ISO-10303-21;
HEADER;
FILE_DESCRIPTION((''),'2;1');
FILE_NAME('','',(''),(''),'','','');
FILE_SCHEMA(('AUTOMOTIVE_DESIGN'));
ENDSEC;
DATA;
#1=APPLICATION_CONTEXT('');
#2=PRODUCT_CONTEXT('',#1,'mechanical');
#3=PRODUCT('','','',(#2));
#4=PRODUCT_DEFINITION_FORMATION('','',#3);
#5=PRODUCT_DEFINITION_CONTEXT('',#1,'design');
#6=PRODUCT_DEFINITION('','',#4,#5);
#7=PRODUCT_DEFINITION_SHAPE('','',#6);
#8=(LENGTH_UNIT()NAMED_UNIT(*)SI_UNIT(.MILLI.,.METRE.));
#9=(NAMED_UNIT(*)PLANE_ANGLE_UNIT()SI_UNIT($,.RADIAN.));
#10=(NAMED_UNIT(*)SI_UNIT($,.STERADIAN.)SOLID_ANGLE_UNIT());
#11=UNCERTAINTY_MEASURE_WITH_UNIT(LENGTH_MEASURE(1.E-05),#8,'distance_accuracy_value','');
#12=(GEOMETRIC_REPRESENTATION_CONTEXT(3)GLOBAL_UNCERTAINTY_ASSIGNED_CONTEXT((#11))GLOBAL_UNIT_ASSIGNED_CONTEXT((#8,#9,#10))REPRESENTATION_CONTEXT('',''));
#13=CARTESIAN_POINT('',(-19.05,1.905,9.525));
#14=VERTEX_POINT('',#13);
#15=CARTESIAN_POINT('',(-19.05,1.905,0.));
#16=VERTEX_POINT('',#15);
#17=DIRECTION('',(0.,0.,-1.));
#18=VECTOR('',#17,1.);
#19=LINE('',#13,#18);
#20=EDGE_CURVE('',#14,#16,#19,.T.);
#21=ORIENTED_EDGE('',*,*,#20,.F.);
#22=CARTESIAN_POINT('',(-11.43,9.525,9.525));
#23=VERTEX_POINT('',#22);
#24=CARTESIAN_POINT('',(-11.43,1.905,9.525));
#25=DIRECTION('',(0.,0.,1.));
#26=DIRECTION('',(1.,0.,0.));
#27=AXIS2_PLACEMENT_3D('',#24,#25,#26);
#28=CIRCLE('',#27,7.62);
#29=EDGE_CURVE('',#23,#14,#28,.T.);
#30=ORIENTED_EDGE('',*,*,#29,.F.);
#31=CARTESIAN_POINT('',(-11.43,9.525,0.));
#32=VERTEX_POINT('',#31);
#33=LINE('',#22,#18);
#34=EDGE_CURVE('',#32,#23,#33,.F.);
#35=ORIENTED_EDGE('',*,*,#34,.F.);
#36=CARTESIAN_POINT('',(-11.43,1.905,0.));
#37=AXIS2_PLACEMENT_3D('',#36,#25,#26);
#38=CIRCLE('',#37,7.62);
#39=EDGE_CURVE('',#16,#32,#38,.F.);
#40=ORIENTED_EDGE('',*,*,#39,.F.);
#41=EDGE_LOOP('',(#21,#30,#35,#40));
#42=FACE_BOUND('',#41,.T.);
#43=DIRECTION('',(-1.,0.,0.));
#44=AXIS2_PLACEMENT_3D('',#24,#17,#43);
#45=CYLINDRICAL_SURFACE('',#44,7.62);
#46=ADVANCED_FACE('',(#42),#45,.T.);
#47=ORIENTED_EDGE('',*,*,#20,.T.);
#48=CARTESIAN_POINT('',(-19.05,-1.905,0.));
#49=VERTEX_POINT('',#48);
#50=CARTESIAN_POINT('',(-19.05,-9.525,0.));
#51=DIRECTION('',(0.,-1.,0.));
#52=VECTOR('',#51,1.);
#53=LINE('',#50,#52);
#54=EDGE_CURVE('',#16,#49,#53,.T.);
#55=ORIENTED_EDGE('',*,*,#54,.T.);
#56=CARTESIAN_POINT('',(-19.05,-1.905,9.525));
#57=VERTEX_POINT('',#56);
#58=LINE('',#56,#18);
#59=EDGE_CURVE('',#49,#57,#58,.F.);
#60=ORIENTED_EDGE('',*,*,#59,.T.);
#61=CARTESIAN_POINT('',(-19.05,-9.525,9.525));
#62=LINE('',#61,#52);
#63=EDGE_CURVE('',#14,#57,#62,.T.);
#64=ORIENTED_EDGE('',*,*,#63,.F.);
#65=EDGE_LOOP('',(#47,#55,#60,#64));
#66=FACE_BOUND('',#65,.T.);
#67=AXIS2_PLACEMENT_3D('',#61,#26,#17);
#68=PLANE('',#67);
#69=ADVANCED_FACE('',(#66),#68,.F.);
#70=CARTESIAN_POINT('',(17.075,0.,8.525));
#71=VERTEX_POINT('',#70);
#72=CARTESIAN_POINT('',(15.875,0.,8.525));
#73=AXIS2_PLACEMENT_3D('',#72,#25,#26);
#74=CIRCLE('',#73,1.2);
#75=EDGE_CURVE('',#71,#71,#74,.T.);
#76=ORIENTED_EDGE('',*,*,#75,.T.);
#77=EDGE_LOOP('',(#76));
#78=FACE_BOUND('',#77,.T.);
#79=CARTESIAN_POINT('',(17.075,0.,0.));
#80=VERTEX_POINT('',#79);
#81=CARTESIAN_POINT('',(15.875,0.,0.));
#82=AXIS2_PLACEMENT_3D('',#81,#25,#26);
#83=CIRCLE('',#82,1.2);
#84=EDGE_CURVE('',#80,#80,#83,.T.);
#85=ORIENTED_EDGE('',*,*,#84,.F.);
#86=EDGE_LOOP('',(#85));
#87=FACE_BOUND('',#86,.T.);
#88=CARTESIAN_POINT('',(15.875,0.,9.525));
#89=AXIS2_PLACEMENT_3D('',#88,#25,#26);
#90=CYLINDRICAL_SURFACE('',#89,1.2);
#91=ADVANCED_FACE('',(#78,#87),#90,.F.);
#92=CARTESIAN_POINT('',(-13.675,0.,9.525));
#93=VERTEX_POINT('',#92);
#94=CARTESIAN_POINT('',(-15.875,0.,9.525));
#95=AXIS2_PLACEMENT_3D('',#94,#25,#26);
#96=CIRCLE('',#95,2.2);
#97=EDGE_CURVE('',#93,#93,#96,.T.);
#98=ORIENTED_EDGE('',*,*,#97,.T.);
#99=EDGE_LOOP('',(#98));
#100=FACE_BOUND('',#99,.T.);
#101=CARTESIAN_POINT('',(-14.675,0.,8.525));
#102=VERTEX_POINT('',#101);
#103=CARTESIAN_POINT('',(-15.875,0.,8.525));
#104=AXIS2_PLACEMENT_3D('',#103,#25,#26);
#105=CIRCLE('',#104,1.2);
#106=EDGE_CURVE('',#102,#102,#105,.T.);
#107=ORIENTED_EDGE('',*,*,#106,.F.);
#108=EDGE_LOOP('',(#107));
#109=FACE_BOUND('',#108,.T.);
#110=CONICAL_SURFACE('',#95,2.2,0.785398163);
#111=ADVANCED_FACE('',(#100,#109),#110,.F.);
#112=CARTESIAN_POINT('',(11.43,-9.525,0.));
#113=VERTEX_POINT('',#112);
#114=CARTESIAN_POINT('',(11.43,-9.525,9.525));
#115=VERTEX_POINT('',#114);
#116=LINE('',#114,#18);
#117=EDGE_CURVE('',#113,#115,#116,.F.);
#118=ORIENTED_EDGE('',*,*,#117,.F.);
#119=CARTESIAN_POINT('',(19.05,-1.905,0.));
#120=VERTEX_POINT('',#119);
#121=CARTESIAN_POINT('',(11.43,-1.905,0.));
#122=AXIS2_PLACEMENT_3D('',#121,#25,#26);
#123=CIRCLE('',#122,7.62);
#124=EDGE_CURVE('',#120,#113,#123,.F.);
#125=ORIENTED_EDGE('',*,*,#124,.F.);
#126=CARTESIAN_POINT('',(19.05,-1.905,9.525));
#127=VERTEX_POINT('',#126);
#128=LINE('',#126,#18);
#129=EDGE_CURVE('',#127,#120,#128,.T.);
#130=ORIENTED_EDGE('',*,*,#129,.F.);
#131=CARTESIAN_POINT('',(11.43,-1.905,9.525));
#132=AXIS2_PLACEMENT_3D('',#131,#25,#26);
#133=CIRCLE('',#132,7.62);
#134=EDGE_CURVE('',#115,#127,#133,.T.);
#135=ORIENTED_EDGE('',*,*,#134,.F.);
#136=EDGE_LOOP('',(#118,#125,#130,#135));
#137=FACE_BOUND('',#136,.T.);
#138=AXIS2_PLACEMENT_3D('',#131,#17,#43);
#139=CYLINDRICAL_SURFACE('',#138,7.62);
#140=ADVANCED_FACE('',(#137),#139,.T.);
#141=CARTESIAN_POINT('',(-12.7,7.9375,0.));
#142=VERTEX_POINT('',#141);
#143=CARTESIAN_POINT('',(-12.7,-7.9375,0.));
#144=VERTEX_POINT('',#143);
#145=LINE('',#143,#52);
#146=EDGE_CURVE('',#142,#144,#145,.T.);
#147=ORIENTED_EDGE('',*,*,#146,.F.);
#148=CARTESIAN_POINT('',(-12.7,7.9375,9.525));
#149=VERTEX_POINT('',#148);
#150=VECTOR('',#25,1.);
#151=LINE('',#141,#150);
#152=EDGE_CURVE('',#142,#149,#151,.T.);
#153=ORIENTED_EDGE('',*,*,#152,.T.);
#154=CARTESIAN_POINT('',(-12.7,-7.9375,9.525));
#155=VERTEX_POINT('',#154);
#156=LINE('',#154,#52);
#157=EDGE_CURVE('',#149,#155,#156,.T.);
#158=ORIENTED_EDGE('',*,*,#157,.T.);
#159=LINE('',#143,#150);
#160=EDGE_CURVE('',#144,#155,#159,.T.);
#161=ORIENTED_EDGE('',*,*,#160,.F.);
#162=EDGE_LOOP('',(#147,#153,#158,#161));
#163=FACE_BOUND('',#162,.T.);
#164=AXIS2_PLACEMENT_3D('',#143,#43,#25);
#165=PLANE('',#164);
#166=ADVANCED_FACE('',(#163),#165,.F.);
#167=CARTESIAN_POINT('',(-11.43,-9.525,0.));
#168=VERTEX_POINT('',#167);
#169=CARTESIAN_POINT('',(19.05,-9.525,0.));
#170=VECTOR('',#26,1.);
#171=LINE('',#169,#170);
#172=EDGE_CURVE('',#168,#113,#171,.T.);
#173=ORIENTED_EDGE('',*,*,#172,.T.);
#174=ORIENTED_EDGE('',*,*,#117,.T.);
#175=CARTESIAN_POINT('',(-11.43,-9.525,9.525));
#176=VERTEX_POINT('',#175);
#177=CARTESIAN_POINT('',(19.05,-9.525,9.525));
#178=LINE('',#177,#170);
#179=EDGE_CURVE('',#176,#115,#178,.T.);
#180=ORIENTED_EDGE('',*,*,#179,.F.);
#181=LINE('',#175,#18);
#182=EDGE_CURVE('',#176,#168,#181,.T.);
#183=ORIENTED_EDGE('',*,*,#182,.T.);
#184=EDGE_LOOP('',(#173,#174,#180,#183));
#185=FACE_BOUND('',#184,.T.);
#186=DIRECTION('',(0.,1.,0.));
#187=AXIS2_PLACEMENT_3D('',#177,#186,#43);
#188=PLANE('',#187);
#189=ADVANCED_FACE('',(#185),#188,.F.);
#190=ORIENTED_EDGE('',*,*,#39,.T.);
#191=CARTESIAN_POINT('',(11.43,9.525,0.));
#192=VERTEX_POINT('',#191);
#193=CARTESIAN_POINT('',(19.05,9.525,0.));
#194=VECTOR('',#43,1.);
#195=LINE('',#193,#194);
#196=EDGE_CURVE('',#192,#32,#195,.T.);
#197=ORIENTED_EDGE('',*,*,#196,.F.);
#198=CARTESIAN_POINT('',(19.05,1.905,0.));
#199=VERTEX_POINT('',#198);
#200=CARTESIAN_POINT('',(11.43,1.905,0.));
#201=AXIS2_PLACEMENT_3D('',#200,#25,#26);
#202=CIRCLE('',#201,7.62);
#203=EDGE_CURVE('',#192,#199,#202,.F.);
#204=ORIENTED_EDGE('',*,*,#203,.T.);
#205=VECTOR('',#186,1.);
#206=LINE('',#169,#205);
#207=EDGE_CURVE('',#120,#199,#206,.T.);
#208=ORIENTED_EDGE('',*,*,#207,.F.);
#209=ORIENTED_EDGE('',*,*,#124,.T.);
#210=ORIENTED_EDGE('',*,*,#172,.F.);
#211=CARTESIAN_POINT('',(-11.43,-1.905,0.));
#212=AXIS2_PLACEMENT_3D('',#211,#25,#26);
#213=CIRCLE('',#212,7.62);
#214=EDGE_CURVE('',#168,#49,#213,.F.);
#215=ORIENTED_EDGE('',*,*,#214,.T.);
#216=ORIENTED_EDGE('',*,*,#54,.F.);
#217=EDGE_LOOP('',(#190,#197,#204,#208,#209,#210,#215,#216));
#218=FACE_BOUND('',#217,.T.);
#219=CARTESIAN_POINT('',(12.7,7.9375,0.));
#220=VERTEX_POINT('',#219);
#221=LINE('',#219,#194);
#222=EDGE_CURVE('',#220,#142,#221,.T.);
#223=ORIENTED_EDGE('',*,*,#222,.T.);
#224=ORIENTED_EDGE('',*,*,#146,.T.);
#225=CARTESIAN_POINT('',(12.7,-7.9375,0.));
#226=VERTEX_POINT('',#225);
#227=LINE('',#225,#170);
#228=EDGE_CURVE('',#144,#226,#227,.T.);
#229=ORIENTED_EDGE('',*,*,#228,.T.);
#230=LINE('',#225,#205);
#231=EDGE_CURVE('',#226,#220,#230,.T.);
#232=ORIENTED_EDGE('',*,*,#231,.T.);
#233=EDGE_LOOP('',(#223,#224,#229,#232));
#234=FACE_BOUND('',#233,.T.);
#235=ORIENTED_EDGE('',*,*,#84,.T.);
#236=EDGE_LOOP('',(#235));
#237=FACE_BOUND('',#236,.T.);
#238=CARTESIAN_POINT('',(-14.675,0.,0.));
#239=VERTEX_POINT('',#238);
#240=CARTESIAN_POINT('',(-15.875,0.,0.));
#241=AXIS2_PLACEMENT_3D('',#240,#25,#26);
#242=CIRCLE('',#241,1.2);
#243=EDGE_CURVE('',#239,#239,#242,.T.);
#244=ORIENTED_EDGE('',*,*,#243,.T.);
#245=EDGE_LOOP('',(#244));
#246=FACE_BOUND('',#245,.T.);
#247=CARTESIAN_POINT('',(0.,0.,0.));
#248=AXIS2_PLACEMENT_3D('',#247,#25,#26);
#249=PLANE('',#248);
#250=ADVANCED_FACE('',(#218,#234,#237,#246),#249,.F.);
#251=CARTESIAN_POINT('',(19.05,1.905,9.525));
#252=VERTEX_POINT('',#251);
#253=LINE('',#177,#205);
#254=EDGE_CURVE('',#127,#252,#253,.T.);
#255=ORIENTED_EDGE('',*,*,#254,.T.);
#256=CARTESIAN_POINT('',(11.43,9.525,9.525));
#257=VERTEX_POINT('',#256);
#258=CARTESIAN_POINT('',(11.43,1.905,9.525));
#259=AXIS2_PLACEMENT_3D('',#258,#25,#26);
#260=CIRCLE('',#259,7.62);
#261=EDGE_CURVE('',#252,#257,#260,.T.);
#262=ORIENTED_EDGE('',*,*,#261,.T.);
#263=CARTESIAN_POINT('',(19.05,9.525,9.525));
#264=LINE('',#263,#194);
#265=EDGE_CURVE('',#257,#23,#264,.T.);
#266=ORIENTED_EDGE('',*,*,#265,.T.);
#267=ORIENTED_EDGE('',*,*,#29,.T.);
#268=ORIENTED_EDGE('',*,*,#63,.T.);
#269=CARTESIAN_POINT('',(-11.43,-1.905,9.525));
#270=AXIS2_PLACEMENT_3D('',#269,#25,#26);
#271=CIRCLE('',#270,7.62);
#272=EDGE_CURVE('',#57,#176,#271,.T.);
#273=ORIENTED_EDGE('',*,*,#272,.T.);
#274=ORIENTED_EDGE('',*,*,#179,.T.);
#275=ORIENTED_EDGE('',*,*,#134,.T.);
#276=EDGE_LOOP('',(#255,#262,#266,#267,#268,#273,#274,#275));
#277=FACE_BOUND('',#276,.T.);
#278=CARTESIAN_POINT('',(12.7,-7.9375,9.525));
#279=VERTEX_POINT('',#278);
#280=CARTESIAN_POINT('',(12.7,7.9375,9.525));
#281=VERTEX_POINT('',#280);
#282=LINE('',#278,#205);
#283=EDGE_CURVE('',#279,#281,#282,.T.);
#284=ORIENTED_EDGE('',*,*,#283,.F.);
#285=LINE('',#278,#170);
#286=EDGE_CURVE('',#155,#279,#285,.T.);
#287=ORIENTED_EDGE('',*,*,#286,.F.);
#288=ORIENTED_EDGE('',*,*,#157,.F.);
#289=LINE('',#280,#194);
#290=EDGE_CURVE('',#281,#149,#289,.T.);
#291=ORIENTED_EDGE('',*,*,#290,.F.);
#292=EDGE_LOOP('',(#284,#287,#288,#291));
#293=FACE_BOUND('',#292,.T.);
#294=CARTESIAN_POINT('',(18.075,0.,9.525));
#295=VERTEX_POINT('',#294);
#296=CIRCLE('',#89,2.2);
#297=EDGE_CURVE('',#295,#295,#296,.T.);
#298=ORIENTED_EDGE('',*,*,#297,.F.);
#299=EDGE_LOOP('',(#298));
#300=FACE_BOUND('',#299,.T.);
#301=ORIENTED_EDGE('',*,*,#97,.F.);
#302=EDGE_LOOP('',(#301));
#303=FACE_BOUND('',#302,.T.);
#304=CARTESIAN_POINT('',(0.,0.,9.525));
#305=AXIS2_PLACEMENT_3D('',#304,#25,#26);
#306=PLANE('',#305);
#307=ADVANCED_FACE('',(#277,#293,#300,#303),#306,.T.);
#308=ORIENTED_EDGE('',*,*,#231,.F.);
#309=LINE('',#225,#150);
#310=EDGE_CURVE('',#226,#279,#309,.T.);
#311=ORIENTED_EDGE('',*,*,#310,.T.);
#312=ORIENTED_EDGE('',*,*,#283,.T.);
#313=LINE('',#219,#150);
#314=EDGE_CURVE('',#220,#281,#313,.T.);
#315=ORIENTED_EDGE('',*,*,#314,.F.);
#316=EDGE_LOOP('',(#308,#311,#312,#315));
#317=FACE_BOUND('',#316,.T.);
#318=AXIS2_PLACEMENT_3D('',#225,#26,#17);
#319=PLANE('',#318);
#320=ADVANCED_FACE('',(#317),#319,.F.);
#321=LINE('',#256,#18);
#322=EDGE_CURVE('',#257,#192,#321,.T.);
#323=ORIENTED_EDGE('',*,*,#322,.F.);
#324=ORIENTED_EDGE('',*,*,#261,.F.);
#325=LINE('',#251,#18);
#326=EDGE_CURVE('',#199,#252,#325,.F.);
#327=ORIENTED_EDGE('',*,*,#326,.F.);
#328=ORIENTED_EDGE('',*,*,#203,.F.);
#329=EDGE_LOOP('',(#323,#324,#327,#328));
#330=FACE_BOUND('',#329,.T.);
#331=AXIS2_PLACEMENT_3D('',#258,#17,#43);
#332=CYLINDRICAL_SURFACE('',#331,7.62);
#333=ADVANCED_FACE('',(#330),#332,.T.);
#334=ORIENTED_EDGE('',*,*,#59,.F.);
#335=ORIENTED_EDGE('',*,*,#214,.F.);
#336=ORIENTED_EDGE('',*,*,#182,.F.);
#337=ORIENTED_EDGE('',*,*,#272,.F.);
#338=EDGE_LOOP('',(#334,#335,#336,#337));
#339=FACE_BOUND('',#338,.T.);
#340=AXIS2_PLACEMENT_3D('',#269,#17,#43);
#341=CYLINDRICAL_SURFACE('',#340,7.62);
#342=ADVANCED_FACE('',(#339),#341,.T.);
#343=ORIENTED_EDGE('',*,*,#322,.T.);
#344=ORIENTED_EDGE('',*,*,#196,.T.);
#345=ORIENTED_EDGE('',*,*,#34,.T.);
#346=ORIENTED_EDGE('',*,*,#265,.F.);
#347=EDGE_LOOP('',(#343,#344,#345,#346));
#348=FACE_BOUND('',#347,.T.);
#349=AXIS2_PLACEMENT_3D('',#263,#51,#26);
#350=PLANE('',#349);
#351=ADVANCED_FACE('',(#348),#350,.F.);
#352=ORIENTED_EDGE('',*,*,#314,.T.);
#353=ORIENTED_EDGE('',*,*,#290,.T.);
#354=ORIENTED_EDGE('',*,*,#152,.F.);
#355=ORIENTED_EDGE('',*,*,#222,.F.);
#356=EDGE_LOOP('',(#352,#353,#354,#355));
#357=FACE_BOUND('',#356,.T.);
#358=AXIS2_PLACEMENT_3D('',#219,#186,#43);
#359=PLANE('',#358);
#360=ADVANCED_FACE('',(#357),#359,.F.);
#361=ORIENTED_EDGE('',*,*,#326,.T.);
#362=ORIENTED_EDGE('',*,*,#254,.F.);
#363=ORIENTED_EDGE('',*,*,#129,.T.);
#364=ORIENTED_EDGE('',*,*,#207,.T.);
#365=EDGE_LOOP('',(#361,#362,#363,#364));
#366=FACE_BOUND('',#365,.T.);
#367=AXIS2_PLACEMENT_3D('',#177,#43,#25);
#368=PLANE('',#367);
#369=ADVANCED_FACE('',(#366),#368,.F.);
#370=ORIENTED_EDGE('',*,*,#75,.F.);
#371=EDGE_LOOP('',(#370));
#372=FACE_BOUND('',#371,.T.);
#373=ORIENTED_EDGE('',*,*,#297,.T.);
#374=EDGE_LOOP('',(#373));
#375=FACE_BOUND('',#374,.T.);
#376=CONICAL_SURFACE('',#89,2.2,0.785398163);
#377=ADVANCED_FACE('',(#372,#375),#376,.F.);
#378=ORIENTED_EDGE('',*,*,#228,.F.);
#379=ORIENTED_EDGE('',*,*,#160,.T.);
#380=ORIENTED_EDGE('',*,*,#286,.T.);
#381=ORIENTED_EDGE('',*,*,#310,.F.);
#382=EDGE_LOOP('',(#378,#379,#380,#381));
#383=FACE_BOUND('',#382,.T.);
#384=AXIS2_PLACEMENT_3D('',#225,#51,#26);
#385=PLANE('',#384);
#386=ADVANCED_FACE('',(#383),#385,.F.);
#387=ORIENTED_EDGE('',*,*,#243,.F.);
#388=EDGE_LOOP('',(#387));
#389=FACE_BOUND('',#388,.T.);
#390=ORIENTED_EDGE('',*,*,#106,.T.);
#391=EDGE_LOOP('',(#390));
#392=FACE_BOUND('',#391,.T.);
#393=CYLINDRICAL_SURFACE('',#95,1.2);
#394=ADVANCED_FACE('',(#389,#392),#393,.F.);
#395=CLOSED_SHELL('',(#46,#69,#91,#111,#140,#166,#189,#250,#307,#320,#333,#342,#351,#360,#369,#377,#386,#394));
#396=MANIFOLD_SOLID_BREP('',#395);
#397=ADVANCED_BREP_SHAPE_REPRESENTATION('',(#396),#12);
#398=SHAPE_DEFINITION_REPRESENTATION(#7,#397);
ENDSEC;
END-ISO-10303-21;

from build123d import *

# Parameters (mm, degrees)
SKETCH1_W                                       = 38.1
SKETCH1_H                                       = 19.05
BOSS_EXTRUDE1_DEPTH                             = 9.525
SKETCH2_W                                       = 25.4
SKETCH2_H                                       = 15.875
CUT_EXTRUDE1_DEPTH                              = 9.525
FILLET1_R                                       = 7.62
CSK_FOR_M2_FLAT_HEAD_MACHINE_SCREW1_D           = 2.4
CSK_FOR_M2_FLAT_HEAD_MACHINE_SCREW1_CSINK_D     = 4.4
CSK_FOR_M2_FLAT_HEAD_MACHINE_SCREW1_CSINK_ANGLE = 90


with BuildPart() as part:
    # Sketch1 → Boss-Extrude1 (new body)
    with BuildSketch(Plane.XY):
        Rectangle(SKETCH1_W, SKETCH1_H)
    extrude(amount=BOSS_EXTRUDE1_DEPTH)

    # Sketch2 → Cut-Extrude1 (cut)
    with BuildSketch(Plane.XY.offset(9.525)):
        Rectangle(SKETCH2_W, SKETCH2_H)
    extrude(amount=-CUT_EXTRUDE1_DEPTH, mode=Mode.SUBTRACT)

    # Fillet1
    fillet1_edges = [part.edges().sort_by_distance(p)[0] for p in [
        (-19.05, 9.525, 4.7625),
        (19.05, 9.525, 4.7625),
        (19.05, -9.525, 4.7625),
        (-19.05, -9.525, 4.7625),
    ]]
    fillet(fillet1_edges, radius=FILLET1_R)

    # CSK for M2 Flat Head Machine Screw1 (through all)
    with Locations(Plane.XY.offset(9.525)):
        with Locations((-15.875, 0), (15.875, 0)):
            CounterSinkHole(CSK_FOR_M2_FLAT_HEAD_MACHINE_SCREW1_D / 2, CSK_FOR_M2_FLAT_HEAD_MACHINE_SCREW1_CSINK_D / 2, counter_sink_angle=CSK_FOR_M2_FLAT_HEAD_MACHINE_SCREW1_CSINK_ANGLE)


solid = part.part
